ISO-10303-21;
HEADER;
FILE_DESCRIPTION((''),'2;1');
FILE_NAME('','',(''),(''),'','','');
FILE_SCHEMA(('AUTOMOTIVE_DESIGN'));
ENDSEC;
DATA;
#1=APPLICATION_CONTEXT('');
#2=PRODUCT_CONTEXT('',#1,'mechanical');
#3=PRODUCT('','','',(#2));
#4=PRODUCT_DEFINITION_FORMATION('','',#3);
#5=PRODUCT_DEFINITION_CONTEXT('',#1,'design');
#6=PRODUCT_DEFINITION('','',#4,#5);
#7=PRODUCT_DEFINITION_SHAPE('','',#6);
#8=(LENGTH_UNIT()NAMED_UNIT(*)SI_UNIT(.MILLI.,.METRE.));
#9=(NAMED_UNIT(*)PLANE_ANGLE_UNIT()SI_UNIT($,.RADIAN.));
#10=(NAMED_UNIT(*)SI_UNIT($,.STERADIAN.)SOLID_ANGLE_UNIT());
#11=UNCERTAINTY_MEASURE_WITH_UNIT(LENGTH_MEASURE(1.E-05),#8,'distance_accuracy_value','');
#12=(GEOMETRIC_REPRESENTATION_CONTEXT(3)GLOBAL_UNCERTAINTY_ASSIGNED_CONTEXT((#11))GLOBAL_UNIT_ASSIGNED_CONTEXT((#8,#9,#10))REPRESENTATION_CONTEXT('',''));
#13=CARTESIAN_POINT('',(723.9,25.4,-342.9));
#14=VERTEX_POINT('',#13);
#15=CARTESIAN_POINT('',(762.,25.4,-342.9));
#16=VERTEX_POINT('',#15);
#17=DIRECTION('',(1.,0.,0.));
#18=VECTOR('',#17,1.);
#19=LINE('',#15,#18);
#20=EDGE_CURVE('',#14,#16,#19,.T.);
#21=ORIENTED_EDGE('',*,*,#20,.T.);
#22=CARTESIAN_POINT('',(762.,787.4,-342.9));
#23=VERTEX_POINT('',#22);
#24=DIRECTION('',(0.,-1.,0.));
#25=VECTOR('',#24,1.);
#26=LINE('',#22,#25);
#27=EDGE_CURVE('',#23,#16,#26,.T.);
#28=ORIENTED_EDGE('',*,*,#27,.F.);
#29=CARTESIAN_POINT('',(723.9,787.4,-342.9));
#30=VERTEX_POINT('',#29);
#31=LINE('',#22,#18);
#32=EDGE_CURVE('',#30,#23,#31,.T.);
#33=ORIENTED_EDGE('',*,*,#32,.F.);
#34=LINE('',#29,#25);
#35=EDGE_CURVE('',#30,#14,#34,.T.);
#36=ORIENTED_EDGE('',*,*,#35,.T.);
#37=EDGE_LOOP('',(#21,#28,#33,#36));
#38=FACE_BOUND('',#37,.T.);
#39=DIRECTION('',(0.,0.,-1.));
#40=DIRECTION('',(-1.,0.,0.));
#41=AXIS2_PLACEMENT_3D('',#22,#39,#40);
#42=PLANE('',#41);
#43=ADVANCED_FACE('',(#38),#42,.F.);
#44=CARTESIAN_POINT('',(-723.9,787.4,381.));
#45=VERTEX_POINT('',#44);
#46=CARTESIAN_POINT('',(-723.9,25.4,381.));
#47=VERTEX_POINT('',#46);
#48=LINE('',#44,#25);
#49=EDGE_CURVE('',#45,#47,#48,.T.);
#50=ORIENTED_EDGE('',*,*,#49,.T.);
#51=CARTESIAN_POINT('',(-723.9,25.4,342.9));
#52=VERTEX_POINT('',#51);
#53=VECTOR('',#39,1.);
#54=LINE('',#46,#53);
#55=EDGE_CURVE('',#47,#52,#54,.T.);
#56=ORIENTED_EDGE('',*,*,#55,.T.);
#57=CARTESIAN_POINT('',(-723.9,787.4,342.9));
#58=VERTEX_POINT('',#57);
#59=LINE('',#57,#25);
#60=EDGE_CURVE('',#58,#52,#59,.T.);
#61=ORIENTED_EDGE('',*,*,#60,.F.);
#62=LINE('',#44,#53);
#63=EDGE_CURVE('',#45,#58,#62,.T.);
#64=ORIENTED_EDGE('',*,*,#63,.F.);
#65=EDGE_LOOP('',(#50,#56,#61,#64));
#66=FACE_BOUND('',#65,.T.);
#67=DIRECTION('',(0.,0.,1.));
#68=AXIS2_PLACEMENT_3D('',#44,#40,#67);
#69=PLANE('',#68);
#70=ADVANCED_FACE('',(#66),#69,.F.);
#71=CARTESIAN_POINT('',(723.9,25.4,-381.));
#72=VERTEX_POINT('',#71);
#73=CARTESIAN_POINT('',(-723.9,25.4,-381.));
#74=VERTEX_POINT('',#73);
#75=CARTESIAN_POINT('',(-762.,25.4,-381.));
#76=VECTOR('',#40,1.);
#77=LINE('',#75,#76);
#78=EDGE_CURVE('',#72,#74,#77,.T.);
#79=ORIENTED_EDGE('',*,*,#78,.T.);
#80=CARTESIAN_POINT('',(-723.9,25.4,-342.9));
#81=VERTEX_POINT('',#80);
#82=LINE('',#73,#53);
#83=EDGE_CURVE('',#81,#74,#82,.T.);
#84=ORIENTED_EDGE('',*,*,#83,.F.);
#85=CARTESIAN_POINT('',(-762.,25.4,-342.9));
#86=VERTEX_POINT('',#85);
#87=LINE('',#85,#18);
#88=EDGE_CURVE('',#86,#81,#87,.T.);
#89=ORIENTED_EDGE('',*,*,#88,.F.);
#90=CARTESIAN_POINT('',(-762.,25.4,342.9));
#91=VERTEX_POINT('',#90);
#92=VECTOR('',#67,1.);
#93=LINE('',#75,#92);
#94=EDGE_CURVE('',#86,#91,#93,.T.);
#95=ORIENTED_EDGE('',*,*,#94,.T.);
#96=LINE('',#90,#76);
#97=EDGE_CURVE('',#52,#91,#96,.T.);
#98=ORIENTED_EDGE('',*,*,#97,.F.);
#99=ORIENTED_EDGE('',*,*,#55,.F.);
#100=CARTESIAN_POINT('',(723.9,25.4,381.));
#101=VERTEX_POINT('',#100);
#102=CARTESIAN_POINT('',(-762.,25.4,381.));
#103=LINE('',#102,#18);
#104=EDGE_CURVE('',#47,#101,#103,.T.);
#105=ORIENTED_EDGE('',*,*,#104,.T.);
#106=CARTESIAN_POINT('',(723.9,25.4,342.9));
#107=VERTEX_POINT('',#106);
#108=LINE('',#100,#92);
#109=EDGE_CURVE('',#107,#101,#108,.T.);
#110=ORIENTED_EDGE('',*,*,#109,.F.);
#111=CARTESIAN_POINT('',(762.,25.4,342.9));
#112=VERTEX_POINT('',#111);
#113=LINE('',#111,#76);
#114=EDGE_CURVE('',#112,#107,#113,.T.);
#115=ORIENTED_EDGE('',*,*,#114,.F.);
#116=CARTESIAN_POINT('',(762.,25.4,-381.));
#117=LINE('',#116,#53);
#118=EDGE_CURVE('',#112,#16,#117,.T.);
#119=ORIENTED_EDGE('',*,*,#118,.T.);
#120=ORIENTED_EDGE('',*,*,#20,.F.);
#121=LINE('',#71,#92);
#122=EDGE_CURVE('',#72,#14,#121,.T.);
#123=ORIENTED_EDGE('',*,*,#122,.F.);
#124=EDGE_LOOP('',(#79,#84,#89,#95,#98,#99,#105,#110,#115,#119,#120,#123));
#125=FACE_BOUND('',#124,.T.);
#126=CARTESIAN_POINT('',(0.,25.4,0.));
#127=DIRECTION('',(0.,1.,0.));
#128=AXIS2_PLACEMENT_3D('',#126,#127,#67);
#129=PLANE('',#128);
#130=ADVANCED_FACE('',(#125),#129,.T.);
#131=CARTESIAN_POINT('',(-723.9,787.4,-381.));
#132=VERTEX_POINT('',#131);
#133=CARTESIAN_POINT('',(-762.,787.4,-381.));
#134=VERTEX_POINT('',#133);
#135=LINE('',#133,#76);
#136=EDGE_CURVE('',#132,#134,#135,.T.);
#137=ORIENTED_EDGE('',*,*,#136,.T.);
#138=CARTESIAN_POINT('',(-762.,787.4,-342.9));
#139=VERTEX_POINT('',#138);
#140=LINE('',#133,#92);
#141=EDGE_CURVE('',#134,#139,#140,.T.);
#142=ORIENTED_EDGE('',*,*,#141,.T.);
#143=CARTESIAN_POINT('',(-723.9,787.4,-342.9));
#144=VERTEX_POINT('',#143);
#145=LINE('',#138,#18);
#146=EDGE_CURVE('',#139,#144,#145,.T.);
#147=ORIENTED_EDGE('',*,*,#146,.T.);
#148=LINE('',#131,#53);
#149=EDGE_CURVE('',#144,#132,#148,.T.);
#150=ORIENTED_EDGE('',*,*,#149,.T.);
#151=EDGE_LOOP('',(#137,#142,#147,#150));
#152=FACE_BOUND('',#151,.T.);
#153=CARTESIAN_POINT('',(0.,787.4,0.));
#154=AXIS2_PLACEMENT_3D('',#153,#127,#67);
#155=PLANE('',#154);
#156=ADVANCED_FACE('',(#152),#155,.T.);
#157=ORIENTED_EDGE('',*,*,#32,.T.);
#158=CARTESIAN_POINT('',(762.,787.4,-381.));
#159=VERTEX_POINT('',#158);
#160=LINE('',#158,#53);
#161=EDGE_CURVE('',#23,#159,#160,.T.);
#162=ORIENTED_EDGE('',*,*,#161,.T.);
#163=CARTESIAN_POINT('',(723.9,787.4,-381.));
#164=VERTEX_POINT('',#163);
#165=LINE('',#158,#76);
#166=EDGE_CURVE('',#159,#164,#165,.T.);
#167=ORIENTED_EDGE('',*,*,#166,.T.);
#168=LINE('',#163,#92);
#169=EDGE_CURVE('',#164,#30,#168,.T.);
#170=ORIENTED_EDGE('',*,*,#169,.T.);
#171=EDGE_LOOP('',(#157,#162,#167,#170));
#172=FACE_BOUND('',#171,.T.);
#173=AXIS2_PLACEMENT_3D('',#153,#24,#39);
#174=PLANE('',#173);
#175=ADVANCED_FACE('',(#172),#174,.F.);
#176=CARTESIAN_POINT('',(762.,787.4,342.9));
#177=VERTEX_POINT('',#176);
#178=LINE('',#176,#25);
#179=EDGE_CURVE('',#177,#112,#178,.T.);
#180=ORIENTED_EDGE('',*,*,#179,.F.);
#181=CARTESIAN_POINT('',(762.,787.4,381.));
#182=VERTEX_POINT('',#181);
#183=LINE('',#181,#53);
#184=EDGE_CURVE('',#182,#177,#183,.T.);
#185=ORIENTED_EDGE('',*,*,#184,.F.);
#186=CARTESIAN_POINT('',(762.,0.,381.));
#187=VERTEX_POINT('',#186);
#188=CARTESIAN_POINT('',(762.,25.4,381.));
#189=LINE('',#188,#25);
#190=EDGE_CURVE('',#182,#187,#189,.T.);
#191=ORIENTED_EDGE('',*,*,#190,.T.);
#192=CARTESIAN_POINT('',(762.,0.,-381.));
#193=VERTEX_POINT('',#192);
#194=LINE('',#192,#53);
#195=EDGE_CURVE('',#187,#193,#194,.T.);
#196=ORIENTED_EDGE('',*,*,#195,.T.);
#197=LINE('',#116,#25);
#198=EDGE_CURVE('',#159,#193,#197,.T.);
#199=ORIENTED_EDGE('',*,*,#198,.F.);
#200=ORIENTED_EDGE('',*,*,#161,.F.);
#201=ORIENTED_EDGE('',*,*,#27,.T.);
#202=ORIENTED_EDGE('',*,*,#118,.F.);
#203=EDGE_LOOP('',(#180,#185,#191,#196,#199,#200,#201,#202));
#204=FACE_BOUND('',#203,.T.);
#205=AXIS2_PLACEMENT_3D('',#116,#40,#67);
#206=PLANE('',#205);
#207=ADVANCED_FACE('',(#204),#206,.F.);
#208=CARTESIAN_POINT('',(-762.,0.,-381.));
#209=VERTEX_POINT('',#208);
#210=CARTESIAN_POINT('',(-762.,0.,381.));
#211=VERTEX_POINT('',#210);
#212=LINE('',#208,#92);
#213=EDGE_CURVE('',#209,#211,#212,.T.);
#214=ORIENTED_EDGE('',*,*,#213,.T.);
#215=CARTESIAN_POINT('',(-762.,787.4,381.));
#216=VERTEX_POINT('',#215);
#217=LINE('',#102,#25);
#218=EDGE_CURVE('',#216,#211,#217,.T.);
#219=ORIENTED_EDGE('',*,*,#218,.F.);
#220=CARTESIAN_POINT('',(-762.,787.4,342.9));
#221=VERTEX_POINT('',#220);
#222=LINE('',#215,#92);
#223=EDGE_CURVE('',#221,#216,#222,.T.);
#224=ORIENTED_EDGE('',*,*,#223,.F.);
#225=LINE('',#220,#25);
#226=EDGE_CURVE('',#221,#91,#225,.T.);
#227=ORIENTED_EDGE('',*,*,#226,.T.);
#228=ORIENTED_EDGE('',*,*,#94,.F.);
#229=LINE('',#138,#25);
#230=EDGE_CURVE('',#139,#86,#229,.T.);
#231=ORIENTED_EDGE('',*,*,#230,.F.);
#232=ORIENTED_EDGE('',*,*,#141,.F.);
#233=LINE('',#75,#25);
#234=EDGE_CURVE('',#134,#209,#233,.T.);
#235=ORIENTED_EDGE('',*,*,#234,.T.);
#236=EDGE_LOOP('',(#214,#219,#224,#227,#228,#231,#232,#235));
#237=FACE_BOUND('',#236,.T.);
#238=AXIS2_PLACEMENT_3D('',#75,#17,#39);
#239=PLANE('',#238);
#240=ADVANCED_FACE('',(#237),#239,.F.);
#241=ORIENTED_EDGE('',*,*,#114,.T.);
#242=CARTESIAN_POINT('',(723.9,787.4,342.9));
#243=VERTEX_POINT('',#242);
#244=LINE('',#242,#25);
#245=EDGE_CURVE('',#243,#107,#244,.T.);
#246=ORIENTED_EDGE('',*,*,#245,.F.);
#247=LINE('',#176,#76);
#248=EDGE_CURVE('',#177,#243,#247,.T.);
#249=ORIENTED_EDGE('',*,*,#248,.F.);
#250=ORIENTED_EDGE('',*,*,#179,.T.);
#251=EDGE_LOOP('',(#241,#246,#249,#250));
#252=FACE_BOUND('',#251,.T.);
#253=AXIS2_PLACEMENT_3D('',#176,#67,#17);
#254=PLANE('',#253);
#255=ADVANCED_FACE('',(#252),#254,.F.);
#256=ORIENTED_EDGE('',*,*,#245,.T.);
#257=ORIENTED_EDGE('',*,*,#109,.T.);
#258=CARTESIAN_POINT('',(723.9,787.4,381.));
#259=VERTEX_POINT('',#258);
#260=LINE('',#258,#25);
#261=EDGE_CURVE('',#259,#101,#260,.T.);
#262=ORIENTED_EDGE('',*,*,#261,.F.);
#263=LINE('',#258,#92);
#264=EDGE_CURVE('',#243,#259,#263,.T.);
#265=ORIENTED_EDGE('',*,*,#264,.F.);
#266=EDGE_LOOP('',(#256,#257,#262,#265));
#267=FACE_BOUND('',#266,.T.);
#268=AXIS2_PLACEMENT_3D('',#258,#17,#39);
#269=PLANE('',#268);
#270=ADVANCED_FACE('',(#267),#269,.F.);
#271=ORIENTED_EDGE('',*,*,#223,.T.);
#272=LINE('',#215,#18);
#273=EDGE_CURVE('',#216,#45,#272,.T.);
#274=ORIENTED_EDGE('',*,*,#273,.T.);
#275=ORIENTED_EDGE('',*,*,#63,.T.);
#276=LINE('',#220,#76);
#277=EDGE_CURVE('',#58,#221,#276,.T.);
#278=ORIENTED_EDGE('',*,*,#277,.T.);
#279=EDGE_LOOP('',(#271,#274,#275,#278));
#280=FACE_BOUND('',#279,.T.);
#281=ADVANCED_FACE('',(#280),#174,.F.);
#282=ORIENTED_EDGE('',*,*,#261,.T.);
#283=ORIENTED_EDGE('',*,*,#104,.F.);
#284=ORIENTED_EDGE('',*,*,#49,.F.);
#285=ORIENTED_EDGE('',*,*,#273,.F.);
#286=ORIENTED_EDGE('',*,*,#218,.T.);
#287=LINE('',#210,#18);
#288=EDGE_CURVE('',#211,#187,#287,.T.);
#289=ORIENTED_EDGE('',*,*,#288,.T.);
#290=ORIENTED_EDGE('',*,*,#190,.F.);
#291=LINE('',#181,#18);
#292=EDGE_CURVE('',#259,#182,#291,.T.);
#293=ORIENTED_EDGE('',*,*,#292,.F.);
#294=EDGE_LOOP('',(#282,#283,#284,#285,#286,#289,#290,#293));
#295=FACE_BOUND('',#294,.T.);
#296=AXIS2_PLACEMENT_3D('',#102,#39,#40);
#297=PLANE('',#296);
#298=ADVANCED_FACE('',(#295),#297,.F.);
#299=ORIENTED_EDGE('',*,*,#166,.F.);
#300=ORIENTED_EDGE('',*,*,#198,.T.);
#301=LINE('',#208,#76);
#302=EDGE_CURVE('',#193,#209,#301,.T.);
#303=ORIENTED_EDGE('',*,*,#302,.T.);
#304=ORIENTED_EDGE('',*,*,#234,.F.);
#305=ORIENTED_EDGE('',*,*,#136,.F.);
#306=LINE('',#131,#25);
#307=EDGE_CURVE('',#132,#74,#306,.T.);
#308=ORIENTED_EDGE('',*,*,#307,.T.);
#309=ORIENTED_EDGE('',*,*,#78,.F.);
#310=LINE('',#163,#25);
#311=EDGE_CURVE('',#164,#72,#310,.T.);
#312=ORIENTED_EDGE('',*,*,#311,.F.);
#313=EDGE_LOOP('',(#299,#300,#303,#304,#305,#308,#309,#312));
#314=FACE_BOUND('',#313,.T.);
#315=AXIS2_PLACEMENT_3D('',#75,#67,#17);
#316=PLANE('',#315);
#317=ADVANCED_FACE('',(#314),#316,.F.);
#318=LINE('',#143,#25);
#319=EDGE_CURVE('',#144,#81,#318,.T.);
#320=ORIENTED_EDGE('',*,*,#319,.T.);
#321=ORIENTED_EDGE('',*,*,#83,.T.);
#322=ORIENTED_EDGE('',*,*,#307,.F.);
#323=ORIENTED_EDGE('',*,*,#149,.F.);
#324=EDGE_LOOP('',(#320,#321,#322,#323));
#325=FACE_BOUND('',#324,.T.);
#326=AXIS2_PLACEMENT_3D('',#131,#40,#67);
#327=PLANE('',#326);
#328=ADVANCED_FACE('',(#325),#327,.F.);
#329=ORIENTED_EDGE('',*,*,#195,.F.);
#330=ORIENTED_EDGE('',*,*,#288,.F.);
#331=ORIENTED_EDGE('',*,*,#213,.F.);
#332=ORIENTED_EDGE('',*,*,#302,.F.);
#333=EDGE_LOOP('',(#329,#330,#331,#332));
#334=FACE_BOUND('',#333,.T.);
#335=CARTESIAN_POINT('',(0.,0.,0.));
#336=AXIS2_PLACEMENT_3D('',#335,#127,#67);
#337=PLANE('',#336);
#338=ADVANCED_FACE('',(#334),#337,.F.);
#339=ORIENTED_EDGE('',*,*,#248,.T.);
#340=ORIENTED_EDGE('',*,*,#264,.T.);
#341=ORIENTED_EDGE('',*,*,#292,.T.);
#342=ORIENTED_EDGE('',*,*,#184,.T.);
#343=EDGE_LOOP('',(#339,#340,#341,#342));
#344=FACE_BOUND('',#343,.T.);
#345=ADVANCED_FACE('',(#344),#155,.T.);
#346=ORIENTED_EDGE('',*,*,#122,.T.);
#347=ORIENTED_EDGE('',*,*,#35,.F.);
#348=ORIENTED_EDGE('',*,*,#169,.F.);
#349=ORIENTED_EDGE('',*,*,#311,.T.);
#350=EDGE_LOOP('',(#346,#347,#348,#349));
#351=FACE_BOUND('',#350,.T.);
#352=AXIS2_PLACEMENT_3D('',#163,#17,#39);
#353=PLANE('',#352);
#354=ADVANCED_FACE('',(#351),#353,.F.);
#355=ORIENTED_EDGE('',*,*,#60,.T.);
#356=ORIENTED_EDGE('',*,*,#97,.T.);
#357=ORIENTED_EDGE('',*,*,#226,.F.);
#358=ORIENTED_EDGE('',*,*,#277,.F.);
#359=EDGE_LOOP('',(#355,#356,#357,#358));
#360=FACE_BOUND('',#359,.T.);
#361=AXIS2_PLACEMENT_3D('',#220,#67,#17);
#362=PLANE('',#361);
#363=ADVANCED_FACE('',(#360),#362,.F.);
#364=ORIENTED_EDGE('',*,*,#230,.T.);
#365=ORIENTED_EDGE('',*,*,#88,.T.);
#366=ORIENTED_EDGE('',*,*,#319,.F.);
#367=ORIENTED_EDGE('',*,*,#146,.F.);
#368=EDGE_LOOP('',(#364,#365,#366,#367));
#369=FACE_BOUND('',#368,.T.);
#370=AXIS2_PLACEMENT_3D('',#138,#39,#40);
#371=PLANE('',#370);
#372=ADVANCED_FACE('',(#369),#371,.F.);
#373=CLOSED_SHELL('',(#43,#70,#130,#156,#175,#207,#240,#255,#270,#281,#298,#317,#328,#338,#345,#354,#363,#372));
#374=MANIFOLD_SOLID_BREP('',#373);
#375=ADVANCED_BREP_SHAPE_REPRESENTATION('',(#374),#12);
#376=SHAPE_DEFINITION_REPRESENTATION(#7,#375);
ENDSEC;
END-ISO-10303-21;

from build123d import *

# Parameters (mm, degrees)
SKETCH1_W           = 1524
SKETCH1_H           = 762
BOSS_EXTRUDE1_DEPTH = 25.4
SKETCH2_W           = 38.1
SKETCH2_H           = 38.1
BOSS_EXTRUDE2_DEPTH = 762


with BuildPart() as part:
    # Sketch1 → Boss-Extrude1 (new body)
    with BuildSketch(Plane(origin=(0, 0, 0), x_dir=(1, 0, 0), z_dir=(0, 1, 0))):
        Rectangle(SKETCH1_W, SKETCH1_H)
    extrude(amount=BOSS_EXTRUDE1_DEPTH)

    # Sketch2 → Boss-Extrude2 (add)
    with BuildSketch(Plane(origin=(0, 25.4, 0), x_dir=(1, 0, 0), z_dir=(0, 1, 0))):
        with Locations((-742.95, 361.95)):
            Rectangle(SKETCH2_W, SKETCH2_H)
        with Locations((-742.95, -361.95)):
            Rectangle(SKETCH2_W, SKETCH2_H)
        with Locations((742.95, 361.95)):
            Rectangle(SKETCH2_W, SKETCH2_H)
        with Locations((742.95, -361.95)):
            Rectangle(SKETCH2_W, SKETCH2_H)
    extrude(amount=BOSS_EXTRUDE2_DEPTH)


solid = part.part
